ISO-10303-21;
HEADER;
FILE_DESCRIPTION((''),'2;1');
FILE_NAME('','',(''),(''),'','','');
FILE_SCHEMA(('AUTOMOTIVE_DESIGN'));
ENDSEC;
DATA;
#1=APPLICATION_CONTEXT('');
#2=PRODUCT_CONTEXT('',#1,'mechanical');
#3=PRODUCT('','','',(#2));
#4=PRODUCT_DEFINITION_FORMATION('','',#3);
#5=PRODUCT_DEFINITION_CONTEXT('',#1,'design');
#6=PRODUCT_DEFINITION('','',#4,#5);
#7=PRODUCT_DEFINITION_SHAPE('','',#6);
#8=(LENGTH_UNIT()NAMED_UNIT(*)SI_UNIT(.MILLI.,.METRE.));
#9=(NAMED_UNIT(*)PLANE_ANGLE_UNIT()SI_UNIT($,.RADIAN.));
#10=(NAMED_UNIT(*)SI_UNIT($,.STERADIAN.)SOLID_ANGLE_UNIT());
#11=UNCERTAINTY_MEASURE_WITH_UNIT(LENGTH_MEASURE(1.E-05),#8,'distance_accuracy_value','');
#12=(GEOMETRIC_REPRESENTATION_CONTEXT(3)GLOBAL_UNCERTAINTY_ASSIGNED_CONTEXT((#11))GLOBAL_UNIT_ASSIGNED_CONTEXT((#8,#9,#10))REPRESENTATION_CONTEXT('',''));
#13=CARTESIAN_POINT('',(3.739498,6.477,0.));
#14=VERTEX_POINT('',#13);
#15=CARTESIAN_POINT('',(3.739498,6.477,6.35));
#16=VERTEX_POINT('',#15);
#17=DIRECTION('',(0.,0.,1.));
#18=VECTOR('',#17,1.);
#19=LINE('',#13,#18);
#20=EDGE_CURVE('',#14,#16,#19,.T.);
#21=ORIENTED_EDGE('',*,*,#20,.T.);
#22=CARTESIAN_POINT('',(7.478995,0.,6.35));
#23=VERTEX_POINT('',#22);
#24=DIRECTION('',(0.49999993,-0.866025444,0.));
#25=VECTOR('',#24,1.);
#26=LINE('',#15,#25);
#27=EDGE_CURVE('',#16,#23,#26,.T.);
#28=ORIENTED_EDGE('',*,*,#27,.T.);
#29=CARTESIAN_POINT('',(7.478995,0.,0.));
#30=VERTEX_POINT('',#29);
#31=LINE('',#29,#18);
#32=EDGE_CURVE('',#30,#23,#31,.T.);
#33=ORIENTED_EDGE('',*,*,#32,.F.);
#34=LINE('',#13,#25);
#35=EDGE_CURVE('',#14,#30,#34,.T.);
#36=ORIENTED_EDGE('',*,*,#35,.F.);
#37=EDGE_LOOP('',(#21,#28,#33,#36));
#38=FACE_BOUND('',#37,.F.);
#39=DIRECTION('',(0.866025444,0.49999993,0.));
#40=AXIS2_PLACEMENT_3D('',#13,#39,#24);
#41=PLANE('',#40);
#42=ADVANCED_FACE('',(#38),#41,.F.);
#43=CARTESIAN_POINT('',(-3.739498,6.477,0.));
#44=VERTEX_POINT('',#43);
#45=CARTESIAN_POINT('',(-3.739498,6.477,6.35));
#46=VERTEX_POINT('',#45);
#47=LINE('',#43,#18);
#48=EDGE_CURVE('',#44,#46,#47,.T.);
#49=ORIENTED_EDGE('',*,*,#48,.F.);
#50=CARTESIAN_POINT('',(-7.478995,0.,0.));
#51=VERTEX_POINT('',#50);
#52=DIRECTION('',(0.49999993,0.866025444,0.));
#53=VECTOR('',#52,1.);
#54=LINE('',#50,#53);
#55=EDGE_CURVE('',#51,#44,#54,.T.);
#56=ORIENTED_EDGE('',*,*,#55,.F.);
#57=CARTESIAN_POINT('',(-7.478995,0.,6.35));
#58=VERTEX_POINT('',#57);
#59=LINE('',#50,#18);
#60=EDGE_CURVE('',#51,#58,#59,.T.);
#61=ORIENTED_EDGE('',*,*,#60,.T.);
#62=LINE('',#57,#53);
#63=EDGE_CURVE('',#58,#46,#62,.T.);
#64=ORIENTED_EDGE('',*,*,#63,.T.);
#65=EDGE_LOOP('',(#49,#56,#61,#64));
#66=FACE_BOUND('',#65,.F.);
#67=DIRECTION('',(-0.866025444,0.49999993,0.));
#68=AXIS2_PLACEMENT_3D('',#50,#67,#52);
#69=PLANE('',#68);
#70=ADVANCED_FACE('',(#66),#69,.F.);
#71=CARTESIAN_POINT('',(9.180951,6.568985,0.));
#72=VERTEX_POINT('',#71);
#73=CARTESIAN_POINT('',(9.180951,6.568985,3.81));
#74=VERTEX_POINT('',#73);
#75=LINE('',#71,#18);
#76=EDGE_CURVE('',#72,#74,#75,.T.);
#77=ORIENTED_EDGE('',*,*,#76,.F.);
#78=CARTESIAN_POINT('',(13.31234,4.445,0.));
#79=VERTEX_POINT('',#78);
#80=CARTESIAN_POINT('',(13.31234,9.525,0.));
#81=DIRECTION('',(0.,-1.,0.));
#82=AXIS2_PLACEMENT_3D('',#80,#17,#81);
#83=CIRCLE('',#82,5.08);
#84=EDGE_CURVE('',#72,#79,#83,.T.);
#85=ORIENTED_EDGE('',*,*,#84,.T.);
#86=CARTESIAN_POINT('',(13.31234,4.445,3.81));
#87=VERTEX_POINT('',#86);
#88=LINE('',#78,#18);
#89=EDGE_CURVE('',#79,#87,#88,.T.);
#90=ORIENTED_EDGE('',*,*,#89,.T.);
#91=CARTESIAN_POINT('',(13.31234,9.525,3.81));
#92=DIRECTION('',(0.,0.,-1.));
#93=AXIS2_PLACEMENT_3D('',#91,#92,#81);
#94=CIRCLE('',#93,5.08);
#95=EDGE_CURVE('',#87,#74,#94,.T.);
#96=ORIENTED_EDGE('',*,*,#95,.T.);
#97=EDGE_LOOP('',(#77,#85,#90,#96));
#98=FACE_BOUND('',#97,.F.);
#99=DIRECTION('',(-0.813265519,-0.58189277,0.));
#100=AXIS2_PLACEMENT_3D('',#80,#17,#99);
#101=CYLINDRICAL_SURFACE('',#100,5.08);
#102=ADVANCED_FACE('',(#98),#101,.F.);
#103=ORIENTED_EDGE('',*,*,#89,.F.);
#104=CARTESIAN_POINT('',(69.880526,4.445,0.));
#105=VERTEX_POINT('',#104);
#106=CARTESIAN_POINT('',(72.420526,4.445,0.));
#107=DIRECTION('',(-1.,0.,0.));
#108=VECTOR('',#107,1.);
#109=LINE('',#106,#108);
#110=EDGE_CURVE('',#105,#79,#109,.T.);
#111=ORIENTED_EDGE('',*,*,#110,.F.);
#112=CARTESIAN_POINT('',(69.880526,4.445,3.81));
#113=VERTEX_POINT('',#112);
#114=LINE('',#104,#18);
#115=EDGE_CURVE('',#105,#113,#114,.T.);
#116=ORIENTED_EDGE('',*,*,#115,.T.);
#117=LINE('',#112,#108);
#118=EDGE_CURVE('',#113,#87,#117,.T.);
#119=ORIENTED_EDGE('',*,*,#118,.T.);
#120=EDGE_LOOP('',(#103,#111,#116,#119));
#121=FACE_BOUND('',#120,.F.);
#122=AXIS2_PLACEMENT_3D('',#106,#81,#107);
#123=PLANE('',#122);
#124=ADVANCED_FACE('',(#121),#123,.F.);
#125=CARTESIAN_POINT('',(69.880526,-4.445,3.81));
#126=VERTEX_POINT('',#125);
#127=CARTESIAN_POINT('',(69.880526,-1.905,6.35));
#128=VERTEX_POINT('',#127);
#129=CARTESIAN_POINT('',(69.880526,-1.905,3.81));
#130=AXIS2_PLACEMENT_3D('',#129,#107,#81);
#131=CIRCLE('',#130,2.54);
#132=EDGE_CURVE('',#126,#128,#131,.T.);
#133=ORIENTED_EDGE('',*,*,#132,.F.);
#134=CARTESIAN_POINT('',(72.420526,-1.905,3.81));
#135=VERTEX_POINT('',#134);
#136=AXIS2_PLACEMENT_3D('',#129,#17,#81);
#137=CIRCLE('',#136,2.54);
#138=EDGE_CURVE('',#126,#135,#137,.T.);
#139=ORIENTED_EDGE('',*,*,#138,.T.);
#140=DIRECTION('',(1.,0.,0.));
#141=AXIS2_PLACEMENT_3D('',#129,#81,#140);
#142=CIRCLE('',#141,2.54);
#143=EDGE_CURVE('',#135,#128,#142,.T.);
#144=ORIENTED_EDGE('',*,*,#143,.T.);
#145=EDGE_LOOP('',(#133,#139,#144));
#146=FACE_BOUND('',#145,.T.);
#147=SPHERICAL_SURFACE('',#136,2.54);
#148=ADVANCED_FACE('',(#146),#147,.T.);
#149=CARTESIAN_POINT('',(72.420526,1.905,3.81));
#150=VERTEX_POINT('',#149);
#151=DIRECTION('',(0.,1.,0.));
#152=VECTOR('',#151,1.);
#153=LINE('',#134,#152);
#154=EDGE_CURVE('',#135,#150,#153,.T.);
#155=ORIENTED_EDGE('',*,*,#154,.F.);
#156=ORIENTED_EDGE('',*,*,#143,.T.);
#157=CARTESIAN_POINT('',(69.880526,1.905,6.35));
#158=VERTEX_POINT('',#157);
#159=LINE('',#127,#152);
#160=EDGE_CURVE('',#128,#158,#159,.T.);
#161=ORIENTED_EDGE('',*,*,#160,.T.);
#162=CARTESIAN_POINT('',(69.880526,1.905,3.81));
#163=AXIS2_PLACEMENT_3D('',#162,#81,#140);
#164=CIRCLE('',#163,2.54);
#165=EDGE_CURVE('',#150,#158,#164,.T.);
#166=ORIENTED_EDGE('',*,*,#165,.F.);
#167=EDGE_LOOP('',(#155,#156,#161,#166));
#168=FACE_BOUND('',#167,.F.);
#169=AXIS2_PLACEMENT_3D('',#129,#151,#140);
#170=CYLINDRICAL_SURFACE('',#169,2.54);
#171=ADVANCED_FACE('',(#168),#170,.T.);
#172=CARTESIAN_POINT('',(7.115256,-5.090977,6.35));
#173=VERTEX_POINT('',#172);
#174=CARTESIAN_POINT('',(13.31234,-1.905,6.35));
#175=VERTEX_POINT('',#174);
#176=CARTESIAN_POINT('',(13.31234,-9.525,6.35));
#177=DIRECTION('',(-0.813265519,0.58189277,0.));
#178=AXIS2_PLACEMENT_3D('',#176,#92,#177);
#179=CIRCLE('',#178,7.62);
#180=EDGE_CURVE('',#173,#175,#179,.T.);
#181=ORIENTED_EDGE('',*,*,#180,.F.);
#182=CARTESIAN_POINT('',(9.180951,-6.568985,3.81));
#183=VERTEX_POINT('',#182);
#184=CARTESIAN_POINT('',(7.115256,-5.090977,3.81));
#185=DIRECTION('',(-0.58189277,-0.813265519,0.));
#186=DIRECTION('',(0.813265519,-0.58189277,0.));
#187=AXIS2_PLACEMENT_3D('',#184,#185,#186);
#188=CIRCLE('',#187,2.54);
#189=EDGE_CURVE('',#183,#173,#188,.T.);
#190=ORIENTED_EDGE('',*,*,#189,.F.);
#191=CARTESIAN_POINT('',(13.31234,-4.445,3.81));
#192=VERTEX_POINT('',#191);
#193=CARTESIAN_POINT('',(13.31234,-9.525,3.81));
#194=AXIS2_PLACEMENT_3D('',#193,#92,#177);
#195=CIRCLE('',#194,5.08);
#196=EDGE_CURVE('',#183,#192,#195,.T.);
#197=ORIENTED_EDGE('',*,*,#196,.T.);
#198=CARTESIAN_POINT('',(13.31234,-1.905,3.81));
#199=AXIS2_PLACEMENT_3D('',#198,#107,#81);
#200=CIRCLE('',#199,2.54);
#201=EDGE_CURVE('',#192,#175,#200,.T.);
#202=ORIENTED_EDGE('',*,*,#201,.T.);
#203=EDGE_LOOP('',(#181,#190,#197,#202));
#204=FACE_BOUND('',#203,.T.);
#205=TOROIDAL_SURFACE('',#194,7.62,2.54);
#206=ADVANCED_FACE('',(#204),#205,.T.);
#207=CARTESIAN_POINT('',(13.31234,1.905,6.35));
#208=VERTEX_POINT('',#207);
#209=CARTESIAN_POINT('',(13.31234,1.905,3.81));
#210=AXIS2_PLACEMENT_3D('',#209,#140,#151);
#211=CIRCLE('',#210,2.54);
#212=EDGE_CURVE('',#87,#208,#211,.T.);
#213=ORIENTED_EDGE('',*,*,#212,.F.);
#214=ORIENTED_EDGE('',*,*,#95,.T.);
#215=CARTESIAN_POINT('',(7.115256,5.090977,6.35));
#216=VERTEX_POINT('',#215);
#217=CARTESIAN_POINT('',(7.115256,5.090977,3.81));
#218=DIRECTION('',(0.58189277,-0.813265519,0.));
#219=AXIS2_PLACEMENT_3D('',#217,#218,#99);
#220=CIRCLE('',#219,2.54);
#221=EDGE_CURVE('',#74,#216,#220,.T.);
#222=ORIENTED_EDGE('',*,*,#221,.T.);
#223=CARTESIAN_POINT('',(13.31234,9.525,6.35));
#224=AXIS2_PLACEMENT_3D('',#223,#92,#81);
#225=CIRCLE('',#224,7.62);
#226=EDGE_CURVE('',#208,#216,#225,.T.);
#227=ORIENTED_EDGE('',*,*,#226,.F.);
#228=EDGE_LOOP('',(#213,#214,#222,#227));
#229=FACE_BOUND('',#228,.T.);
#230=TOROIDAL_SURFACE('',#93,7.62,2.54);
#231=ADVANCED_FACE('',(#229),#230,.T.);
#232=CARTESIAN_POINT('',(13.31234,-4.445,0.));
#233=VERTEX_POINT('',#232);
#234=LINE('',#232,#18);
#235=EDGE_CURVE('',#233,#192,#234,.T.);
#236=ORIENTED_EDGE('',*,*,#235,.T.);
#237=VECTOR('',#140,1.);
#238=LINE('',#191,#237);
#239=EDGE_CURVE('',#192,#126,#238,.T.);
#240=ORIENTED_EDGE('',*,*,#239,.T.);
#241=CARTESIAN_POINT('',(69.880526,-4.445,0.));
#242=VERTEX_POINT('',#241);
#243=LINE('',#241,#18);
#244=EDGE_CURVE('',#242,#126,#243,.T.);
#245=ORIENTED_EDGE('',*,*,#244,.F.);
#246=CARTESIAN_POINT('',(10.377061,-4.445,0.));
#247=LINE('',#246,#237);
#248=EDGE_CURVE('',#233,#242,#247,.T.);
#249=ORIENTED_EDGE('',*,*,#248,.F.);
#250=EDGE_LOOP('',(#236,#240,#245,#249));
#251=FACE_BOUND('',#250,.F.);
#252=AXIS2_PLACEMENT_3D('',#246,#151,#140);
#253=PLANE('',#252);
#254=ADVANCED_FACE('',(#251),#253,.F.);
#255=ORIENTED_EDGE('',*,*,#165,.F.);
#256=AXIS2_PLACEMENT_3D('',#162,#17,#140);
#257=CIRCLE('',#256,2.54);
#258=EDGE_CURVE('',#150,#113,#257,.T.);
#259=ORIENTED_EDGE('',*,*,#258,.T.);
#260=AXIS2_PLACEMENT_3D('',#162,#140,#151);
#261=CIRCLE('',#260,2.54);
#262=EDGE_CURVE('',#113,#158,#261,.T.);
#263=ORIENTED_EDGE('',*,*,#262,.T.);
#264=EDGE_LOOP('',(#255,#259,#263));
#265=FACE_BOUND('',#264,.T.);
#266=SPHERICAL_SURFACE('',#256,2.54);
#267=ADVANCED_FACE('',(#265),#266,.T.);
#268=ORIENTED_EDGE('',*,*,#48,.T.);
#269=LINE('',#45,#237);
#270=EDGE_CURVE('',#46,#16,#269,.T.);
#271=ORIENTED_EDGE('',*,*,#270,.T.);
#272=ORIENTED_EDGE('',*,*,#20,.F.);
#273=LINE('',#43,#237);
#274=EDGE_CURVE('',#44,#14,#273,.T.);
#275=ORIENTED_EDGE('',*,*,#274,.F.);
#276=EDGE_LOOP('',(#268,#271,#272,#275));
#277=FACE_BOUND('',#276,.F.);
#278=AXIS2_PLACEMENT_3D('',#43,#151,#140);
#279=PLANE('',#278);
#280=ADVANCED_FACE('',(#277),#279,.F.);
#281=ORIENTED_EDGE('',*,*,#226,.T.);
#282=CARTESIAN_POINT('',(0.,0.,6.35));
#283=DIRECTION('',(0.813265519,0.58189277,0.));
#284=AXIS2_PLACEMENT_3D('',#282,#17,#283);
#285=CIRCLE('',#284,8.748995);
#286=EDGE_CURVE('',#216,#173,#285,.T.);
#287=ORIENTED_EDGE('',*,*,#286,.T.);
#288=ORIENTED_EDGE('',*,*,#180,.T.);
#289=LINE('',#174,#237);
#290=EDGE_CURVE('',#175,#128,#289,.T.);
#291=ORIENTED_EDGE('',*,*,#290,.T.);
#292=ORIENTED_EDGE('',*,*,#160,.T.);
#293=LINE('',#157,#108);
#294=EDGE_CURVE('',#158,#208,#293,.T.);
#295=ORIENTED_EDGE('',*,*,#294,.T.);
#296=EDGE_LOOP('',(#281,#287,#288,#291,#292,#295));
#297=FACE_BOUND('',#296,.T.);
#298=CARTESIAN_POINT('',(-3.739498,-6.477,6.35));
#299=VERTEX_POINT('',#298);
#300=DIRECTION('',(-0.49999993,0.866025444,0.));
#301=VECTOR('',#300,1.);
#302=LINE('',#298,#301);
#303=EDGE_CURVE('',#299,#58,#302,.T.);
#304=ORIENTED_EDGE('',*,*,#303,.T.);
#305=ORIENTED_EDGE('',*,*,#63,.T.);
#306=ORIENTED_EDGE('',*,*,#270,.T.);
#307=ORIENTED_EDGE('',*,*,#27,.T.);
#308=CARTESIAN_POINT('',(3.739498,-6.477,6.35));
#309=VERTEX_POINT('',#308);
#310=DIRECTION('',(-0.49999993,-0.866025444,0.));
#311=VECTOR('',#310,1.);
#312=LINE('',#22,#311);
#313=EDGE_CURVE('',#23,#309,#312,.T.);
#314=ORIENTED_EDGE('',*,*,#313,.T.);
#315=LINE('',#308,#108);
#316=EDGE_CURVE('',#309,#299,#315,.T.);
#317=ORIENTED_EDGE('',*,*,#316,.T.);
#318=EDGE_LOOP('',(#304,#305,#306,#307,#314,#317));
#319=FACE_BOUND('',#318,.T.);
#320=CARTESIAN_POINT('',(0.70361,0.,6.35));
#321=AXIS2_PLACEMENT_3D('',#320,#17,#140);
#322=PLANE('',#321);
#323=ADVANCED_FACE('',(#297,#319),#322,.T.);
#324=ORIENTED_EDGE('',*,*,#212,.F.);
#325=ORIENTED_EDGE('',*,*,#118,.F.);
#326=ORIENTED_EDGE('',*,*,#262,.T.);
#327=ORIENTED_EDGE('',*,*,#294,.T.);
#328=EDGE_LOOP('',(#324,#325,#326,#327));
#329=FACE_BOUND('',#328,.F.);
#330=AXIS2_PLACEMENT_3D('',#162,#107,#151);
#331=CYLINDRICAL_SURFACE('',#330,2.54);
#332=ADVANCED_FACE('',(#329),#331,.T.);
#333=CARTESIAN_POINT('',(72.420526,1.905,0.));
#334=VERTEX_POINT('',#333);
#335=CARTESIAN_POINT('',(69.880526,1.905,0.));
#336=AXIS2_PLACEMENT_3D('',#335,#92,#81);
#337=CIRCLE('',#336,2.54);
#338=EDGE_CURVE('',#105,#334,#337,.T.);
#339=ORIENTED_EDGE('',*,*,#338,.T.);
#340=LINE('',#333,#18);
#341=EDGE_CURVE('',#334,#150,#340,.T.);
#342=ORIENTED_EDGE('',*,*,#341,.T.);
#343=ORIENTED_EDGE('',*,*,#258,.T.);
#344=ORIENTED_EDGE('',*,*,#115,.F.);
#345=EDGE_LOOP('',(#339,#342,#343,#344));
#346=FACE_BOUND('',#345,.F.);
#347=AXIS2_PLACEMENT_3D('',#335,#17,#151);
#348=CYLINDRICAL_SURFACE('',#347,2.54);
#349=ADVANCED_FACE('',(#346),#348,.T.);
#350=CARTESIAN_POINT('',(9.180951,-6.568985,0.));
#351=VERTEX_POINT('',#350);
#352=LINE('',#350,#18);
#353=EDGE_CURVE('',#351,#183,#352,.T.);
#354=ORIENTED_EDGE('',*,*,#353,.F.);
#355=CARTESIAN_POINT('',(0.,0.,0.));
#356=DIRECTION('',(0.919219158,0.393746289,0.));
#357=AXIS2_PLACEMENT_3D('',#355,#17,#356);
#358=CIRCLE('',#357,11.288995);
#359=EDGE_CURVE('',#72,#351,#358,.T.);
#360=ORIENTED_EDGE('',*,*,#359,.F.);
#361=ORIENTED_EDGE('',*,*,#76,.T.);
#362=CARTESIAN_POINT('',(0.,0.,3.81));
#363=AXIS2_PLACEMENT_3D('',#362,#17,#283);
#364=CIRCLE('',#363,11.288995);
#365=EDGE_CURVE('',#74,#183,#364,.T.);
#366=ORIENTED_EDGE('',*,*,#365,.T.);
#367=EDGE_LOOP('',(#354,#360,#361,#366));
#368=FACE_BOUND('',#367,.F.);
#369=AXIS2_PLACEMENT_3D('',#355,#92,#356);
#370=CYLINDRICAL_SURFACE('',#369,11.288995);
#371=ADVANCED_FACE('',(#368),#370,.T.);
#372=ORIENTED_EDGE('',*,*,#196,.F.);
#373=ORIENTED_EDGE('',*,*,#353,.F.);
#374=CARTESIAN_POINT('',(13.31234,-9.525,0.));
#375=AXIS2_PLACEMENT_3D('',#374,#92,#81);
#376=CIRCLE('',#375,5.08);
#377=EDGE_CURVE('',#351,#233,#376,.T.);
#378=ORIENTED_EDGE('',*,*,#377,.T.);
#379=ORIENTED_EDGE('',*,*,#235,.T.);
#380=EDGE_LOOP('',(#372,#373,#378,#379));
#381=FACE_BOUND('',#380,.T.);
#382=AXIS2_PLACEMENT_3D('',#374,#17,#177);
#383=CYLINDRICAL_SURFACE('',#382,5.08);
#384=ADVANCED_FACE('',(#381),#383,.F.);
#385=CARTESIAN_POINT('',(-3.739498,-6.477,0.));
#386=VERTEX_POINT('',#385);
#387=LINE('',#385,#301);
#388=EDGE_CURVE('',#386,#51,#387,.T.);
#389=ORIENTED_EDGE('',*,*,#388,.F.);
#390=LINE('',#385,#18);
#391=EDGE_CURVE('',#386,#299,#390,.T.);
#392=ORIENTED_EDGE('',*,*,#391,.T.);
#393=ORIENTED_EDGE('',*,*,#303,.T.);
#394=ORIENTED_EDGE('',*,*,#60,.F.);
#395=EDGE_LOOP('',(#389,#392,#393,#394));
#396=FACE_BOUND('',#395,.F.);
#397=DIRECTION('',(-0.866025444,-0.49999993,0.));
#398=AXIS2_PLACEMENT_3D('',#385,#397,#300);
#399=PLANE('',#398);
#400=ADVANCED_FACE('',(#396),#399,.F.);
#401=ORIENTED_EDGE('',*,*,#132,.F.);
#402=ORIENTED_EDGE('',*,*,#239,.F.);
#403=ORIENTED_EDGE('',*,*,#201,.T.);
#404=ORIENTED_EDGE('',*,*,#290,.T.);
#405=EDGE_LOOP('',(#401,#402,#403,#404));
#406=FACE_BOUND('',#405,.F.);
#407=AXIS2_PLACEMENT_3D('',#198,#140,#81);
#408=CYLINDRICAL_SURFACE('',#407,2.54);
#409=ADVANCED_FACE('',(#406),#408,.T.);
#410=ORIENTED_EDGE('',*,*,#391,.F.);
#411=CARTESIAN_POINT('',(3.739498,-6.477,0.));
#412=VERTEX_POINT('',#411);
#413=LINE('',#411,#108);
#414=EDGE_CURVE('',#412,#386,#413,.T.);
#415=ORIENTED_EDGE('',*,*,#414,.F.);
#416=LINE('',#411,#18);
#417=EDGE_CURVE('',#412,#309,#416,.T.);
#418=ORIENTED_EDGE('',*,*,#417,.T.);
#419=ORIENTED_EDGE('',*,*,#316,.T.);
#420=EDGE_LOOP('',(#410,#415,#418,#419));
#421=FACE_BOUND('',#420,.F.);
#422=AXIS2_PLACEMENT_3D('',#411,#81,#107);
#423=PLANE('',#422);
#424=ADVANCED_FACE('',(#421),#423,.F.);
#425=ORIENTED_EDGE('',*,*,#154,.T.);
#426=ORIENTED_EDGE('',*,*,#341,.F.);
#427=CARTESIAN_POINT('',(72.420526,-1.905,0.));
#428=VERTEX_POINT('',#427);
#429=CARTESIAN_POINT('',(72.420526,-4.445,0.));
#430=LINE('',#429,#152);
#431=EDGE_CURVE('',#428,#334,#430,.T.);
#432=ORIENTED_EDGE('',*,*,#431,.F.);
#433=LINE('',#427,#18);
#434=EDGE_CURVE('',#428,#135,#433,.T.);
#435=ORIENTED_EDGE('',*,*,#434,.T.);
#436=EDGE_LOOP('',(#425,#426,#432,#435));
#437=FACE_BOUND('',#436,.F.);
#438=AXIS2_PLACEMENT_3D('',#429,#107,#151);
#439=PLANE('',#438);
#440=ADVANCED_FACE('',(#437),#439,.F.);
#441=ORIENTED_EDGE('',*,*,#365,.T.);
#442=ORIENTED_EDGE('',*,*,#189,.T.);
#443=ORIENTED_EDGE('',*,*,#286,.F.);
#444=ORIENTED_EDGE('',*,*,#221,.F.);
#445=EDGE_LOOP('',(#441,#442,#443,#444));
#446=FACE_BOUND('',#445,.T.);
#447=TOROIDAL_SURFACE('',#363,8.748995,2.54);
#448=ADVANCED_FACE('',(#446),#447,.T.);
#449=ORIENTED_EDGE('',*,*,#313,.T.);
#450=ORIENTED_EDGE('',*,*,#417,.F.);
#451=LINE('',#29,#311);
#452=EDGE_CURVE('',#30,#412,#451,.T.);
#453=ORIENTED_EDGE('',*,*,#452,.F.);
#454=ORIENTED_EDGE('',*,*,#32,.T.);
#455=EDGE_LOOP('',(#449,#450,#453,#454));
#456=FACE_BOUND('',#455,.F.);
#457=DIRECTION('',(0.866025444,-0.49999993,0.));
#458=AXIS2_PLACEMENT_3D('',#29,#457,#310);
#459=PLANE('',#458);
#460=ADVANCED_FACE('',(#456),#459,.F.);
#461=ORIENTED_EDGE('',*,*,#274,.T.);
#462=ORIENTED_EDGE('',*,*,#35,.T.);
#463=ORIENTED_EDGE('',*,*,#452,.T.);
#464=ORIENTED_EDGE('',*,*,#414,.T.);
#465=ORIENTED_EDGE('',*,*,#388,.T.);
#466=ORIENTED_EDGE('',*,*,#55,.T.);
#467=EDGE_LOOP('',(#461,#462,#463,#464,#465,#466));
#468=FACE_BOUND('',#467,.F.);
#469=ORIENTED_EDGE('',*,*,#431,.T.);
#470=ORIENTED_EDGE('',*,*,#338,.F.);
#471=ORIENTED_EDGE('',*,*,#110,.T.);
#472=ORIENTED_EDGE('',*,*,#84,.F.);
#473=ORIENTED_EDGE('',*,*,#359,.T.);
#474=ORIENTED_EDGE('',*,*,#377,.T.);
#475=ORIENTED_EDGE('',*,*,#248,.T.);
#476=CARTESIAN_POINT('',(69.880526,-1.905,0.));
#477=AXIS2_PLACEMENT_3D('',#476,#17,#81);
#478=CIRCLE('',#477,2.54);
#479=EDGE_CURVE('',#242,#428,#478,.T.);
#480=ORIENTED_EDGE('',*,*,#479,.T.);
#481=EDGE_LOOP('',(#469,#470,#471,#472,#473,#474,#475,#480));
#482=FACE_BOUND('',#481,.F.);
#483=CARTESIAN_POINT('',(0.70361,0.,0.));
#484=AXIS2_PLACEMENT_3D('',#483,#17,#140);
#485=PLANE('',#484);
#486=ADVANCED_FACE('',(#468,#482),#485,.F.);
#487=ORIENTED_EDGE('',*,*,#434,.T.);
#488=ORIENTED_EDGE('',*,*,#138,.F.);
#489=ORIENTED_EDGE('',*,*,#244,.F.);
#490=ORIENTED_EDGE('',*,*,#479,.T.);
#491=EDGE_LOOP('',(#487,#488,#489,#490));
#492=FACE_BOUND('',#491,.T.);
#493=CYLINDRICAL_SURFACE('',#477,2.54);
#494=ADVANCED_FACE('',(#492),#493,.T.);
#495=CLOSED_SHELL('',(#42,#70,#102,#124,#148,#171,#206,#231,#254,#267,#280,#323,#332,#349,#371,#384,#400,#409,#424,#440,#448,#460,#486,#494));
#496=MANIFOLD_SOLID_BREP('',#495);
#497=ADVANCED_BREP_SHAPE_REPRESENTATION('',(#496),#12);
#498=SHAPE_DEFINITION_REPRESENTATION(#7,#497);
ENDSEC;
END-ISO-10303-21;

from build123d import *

# Parameters (mm, degrees)
F1_DEPTH = 6.35
F2_R     = 5.08
F3_R     = 2.54
F4_R     = 2.54


with BuildPart() as f1:
    # F0 (on Top) → F1 (new body)
    with BuildSketch(Plane.XY):
        with BuildLine():
            Line((8.920526, 4.445), (10.377061, 4.445))
            ThreePointArc((10.377061, 4.445), (-11.288995, 0), (10.377061, -4.445))
            Line((10.377061, -4.445), (8.920526, -4.445))
            Line((8.920526, -4.445), (8.920526, 4.445))
        make_face()
        Polygon((3.739498, -6.477), (-3.739498, -6.477), (-7.478995, 0), (-3.739498, 6.477), (3.739498, 6.477), (7.478995, 0), align=None, mode=Mode.SUBTRACT)
        with BuildLine():
            ThreePointArc((10.377061, -4.445), (11.058662, -2.268791), (11.288995, 0))
            ThreePointArc((11.288995, 0), (11.058662, 2.268791), (10.377061, 4.445))
            Line((10.377061, 4.445), (8.920526, 4.445))
            Line((8.920526, 4.445), (8.920526, -4.445))
            Line((8.920526, -4.445), (10.377061, -4.445))
        make_face()
        with BuildLine():
            ThreePointArc((10.377061, 4.445), (11.058662, 2.268791), (11.288995, 0))
            ThreePointArc((11.288995, 0), (11.058662, -2.268791), (10.377061, -4.445))
            Line((10.377061, -4.445), (72.420526, -4.445))
            Line((72.420526, -4.445), (72.420526, 4.445))
            Line((72.420526, 4.445), (10.377061, 4.445))
        make_face()
    extrude(amount=F1_DEPTH)

    # F2
    f2_edges = [f1.edges().sort_by_distance(p)[0] for p in [
        (10.377061, -4.445, 3.175),
        (10.377061, 4.445, 3.175),
    ]]
    fillet(f2_edges, radius=F2_R)

    # F3
    f3_edges = [f1.edges().sort_by_distance(p)[0] for p in [
        (72.420526, 4.445, 3.175),
        (72.420526, -4.445, 3.175),
    ]]
    fillet(f3_edges, radius=F3_R)

    # F4
    f4_edges = [f1.edges().sort_by_distance(p)[0] for p in [
        (41.596433, -4.445, 6.35),
    ]]
    fillet(f4_edges, radius=F4_R)


solid = f1.part
